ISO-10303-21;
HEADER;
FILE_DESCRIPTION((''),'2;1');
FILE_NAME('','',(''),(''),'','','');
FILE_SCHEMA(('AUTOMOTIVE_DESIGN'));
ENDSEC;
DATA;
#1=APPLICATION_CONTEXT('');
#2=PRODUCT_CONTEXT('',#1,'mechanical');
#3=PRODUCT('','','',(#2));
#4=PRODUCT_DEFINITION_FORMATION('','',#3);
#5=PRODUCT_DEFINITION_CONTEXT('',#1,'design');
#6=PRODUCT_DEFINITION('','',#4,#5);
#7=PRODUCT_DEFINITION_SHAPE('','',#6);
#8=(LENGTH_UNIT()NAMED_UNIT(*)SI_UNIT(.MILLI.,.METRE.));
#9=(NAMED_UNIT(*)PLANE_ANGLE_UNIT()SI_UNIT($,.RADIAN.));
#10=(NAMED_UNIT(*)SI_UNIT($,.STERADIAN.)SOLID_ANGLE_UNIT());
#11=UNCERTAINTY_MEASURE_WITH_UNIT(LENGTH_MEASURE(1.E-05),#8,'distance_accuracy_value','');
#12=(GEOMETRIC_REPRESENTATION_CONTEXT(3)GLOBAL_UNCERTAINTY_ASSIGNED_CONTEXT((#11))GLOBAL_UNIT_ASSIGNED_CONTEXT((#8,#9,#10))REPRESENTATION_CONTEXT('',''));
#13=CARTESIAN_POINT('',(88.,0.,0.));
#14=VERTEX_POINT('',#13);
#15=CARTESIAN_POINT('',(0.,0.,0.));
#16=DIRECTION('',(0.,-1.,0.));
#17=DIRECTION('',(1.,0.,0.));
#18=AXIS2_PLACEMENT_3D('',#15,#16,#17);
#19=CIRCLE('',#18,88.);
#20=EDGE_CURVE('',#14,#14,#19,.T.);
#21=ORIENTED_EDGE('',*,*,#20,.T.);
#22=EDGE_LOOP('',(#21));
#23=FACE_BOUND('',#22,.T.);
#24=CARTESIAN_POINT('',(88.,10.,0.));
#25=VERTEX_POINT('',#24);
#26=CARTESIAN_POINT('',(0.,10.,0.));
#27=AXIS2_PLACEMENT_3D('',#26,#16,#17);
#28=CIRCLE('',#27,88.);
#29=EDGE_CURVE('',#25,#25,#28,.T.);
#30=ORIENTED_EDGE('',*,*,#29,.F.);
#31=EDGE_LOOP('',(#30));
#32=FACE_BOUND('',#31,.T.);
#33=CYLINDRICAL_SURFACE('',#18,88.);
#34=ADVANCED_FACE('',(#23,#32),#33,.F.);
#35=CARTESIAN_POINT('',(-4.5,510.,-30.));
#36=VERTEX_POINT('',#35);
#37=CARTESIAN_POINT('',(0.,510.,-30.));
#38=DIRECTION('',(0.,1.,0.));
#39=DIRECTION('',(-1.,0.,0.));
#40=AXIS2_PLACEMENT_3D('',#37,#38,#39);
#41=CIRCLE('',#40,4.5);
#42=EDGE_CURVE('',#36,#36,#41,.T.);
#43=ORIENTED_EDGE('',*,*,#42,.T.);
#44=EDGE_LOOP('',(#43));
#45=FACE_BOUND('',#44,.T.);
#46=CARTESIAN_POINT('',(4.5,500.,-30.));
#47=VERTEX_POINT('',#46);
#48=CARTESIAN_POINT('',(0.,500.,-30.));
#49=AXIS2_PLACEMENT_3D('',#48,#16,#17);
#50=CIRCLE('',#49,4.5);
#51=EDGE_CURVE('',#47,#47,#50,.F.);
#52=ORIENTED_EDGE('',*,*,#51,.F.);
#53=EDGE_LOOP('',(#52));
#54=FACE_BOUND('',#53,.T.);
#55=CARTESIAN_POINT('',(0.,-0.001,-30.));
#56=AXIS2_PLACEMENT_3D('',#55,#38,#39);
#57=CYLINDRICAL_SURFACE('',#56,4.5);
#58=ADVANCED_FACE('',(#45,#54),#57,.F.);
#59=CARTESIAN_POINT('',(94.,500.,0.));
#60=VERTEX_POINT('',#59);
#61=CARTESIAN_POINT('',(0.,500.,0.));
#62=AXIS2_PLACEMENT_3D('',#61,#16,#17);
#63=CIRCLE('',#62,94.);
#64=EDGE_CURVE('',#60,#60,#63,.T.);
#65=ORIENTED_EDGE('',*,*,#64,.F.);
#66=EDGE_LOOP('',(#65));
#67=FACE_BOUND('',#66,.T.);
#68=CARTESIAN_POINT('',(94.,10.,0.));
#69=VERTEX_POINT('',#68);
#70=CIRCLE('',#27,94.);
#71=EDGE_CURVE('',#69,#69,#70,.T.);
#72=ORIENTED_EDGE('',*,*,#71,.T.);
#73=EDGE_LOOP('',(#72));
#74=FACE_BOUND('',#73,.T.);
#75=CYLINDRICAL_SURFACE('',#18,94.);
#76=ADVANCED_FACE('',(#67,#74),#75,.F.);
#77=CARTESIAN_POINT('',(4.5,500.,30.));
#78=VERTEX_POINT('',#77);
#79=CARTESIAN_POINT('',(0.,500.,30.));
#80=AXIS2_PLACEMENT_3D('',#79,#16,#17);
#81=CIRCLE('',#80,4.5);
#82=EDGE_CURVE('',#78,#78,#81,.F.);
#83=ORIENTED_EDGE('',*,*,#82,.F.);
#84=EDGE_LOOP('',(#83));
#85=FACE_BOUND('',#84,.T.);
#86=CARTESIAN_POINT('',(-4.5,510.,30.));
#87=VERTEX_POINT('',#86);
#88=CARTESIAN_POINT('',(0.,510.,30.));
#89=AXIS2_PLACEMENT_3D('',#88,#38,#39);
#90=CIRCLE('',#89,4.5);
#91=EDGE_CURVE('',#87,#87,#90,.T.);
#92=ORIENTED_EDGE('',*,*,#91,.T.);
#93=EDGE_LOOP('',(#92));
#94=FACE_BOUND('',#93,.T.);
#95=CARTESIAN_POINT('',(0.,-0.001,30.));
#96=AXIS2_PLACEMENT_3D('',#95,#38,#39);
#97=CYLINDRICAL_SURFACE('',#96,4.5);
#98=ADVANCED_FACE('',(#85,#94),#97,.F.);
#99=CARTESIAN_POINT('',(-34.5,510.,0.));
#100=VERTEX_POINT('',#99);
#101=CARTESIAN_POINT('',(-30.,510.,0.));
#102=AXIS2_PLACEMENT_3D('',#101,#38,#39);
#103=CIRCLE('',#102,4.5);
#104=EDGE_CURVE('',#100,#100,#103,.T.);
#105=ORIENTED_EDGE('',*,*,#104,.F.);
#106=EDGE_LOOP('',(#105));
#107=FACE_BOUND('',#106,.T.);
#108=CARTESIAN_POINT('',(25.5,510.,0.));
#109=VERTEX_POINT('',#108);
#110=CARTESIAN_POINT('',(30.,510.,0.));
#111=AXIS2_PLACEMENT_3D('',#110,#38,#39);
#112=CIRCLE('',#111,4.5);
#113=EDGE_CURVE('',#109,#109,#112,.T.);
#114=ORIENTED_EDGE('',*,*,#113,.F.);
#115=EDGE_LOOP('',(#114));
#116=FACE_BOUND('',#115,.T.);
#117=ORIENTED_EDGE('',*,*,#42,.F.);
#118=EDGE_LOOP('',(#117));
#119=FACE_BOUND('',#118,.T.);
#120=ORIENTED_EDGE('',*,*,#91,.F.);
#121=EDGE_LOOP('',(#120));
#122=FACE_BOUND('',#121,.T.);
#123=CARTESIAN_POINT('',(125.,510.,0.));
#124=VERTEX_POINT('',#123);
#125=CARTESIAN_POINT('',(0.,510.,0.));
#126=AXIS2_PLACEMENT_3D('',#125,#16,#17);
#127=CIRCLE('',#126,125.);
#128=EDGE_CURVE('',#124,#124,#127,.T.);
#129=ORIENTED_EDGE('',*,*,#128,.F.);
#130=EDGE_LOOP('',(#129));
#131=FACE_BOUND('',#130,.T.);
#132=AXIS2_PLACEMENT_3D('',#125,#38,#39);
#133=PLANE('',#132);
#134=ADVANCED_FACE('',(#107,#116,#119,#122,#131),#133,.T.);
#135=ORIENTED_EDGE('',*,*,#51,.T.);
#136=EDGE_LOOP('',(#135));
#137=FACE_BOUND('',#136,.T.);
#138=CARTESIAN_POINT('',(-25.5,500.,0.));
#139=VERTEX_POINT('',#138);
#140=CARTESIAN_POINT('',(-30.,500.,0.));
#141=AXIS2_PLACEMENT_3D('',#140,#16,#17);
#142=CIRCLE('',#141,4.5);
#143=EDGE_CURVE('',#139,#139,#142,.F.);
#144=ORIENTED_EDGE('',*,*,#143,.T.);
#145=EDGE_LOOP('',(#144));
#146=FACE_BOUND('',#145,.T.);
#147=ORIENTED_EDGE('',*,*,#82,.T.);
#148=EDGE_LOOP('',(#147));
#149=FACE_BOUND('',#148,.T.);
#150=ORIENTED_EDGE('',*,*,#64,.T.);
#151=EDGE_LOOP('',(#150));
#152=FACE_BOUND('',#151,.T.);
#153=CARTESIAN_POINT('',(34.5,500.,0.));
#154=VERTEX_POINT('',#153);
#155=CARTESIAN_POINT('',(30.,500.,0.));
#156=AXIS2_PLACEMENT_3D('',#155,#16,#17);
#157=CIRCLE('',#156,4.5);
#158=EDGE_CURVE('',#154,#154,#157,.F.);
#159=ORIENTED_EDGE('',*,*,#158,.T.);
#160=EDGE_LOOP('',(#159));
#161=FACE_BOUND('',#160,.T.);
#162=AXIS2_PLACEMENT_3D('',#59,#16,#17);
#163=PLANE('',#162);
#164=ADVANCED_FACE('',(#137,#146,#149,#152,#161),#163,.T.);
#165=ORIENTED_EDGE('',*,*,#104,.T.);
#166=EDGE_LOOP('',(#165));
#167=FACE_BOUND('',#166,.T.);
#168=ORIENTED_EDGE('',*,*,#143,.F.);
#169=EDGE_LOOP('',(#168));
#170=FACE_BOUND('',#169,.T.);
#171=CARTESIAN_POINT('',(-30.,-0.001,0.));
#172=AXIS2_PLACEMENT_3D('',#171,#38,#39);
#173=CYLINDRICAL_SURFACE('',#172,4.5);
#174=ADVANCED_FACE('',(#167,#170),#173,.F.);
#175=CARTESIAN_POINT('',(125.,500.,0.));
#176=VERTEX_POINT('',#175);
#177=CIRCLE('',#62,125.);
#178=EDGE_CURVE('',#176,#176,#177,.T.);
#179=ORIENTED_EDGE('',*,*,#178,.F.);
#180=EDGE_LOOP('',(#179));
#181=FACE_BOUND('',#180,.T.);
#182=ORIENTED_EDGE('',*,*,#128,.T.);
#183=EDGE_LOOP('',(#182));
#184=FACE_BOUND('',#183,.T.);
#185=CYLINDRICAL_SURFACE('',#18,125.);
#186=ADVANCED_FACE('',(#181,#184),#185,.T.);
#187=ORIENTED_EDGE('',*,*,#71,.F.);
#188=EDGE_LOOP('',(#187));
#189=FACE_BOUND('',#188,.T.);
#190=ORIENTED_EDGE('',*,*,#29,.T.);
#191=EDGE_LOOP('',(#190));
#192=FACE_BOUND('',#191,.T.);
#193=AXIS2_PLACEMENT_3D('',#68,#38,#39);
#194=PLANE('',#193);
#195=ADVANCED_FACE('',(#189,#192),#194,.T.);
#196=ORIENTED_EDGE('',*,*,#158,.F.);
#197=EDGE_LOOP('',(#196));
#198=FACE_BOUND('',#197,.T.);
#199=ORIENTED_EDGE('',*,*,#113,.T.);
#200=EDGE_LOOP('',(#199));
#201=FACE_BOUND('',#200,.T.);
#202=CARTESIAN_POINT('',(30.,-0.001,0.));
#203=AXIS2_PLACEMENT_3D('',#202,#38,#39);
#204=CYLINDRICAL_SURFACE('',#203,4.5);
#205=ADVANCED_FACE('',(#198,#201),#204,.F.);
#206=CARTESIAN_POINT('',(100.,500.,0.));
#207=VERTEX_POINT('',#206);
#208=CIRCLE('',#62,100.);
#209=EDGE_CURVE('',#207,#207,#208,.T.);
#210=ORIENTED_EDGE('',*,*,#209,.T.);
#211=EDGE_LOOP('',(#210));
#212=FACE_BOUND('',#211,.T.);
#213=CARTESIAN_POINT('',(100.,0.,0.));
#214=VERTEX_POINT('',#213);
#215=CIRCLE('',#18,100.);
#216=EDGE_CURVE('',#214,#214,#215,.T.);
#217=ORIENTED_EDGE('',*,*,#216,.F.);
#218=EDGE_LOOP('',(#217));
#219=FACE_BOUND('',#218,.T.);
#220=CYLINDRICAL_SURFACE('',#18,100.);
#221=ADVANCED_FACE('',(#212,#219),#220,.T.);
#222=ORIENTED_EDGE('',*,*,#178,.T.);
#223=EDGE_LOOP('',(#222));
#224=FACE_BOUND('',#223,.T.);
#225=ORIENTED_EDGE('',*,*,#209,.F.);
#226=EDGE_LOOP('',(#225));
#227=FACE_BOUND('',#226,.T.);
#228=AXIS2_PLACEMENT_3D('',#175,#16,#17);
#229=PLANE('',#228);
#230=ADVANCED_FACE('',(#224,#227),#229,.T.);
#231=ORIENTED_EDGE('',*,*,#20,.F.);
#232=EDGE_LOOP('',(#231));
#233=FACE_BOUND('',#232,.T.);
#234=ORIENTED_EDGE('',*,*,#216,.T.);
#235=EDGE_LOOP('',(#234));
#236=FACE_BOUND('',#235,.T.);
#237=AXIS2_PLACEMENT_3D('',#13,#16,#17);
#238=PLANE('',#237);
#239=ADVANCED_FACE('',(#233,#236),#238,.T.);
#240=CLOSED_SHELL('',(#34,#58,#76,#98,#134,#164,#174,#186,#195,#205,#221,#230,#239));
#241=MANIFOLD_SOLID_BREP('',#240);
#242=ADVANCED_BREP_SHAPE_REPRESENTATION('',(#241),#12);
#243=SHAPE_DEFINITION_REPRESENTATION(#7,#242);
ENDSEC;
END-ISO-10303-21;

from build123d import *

# Parameters (mm, degrees)
CORTE_EXTRUS_O1_REACH = 512
ESBO_O2_R             = 4.5


with BuildPart() as part:
    # Esboço1 → Revolução1 (revolve)
    with BuildSketch(Plane.XY):
        Polygon((0, 510), (125, 510), (125, 500), (100, 500), (100, 0), (88, 0), (88, 10), (94, 10), (94, 500), (0, 500), align=None)
    revolve(axis=Axis((0, 0, 0), (0, 1, 0)))

    # Esboço2 → Corte-extrusão1 (cut, up to next)
    with BuildSketch(Plane(origin=(0, 510, 0), x_dir=(1, 0, 0), z_dir=(0, 1, 0)), mode=Mode.PRIVATE) as corte_extrus_o1_sk1:
        with Locations((0, 30)):
            Circle(ESBO_O2_R)
    corte_extrus_o1_tool1 = extrude(corte_extrus_o1_sk1.sketch, amount=-CORTE_EXTRUS_O1_REACH, mode=Mode.PRIVATE) & part.part
    add(corte_extrus_o1_tool1.solids().sort_by_distance((0, 510, -30))[0], mode=Mode.SUBTRACT)
    # Esboço2 → Corte-extrusão1 (cut, up to next)
    with BuildSketch(Plane(origin=(0, 510, 0), x_dir=(1, 0, 0), z_dir=(0, 1, 0)), mode=Mode.PRIVATE) as corte_extrus_o1_sk2:
        with Locations((30, 0)):
            Circle(ESBO_O2_R)
    corte_extrus_o1_tool2 = extrude(corte_extrus_o1_sk2.sketch, amount=-CORTE_EXTRUS_O1_REACH, mode=Mode.PRIVATE) & part.part
    add(corte_extrus_o1_tool2.solids().sort_by_distance((30, 510, 0))[0], mode=Mode.SUBTRACT)
    # Esboço2 → Corte-extrusão1 (cut, up to next)
    with BuildSketch(Plane(origin=(0, 510, 0), x_dir=(1, 0, 0), z_dir=(0, 1, 0)), mode=Mode.PRIVATE) as corte_extrus_o1_sk3:
        with Locations((0, -30)):
            Circle(ESBO_O2_R)
    corte_extrus_o1_tool3 = extrude(corte_extrus_o1_sk3.sketch, amount=-CORTE_EXTRUS_O1_REACH, mode=Mode.PRIVATE) & part.part
    add(corte_extrus_o1_tool3.solids().sort_by_distance((0, 510, 30))[0], mode=Mode.SUBTRACT)
    # Esboço2 → Corte-extrusão1 (cut, up to next)
    with BuildSketch(Plane(origin=(0, 510, 0), x_dir=(1, 0, 0), z_dir=(0, 1, 0)), mode=Mode.PRIVATE) as corte_extrus_o1_sk4:
        with Locations((-30, 0)):
            Circle(ESBO_O2_R)
    corte_extrus_o1_tool4 = extrude(corte_extrus_o1_sk4.sketch, amount=-CORTE_EXTRUS_O1_REACH, mode=Mode.PRIVATE) & part.part
    add(corte_extrus_o1_tool4.solids().sort_by_distance((-30, 510, 0))[0], mode=Mode.SUBTRACT)


solid = part.part
